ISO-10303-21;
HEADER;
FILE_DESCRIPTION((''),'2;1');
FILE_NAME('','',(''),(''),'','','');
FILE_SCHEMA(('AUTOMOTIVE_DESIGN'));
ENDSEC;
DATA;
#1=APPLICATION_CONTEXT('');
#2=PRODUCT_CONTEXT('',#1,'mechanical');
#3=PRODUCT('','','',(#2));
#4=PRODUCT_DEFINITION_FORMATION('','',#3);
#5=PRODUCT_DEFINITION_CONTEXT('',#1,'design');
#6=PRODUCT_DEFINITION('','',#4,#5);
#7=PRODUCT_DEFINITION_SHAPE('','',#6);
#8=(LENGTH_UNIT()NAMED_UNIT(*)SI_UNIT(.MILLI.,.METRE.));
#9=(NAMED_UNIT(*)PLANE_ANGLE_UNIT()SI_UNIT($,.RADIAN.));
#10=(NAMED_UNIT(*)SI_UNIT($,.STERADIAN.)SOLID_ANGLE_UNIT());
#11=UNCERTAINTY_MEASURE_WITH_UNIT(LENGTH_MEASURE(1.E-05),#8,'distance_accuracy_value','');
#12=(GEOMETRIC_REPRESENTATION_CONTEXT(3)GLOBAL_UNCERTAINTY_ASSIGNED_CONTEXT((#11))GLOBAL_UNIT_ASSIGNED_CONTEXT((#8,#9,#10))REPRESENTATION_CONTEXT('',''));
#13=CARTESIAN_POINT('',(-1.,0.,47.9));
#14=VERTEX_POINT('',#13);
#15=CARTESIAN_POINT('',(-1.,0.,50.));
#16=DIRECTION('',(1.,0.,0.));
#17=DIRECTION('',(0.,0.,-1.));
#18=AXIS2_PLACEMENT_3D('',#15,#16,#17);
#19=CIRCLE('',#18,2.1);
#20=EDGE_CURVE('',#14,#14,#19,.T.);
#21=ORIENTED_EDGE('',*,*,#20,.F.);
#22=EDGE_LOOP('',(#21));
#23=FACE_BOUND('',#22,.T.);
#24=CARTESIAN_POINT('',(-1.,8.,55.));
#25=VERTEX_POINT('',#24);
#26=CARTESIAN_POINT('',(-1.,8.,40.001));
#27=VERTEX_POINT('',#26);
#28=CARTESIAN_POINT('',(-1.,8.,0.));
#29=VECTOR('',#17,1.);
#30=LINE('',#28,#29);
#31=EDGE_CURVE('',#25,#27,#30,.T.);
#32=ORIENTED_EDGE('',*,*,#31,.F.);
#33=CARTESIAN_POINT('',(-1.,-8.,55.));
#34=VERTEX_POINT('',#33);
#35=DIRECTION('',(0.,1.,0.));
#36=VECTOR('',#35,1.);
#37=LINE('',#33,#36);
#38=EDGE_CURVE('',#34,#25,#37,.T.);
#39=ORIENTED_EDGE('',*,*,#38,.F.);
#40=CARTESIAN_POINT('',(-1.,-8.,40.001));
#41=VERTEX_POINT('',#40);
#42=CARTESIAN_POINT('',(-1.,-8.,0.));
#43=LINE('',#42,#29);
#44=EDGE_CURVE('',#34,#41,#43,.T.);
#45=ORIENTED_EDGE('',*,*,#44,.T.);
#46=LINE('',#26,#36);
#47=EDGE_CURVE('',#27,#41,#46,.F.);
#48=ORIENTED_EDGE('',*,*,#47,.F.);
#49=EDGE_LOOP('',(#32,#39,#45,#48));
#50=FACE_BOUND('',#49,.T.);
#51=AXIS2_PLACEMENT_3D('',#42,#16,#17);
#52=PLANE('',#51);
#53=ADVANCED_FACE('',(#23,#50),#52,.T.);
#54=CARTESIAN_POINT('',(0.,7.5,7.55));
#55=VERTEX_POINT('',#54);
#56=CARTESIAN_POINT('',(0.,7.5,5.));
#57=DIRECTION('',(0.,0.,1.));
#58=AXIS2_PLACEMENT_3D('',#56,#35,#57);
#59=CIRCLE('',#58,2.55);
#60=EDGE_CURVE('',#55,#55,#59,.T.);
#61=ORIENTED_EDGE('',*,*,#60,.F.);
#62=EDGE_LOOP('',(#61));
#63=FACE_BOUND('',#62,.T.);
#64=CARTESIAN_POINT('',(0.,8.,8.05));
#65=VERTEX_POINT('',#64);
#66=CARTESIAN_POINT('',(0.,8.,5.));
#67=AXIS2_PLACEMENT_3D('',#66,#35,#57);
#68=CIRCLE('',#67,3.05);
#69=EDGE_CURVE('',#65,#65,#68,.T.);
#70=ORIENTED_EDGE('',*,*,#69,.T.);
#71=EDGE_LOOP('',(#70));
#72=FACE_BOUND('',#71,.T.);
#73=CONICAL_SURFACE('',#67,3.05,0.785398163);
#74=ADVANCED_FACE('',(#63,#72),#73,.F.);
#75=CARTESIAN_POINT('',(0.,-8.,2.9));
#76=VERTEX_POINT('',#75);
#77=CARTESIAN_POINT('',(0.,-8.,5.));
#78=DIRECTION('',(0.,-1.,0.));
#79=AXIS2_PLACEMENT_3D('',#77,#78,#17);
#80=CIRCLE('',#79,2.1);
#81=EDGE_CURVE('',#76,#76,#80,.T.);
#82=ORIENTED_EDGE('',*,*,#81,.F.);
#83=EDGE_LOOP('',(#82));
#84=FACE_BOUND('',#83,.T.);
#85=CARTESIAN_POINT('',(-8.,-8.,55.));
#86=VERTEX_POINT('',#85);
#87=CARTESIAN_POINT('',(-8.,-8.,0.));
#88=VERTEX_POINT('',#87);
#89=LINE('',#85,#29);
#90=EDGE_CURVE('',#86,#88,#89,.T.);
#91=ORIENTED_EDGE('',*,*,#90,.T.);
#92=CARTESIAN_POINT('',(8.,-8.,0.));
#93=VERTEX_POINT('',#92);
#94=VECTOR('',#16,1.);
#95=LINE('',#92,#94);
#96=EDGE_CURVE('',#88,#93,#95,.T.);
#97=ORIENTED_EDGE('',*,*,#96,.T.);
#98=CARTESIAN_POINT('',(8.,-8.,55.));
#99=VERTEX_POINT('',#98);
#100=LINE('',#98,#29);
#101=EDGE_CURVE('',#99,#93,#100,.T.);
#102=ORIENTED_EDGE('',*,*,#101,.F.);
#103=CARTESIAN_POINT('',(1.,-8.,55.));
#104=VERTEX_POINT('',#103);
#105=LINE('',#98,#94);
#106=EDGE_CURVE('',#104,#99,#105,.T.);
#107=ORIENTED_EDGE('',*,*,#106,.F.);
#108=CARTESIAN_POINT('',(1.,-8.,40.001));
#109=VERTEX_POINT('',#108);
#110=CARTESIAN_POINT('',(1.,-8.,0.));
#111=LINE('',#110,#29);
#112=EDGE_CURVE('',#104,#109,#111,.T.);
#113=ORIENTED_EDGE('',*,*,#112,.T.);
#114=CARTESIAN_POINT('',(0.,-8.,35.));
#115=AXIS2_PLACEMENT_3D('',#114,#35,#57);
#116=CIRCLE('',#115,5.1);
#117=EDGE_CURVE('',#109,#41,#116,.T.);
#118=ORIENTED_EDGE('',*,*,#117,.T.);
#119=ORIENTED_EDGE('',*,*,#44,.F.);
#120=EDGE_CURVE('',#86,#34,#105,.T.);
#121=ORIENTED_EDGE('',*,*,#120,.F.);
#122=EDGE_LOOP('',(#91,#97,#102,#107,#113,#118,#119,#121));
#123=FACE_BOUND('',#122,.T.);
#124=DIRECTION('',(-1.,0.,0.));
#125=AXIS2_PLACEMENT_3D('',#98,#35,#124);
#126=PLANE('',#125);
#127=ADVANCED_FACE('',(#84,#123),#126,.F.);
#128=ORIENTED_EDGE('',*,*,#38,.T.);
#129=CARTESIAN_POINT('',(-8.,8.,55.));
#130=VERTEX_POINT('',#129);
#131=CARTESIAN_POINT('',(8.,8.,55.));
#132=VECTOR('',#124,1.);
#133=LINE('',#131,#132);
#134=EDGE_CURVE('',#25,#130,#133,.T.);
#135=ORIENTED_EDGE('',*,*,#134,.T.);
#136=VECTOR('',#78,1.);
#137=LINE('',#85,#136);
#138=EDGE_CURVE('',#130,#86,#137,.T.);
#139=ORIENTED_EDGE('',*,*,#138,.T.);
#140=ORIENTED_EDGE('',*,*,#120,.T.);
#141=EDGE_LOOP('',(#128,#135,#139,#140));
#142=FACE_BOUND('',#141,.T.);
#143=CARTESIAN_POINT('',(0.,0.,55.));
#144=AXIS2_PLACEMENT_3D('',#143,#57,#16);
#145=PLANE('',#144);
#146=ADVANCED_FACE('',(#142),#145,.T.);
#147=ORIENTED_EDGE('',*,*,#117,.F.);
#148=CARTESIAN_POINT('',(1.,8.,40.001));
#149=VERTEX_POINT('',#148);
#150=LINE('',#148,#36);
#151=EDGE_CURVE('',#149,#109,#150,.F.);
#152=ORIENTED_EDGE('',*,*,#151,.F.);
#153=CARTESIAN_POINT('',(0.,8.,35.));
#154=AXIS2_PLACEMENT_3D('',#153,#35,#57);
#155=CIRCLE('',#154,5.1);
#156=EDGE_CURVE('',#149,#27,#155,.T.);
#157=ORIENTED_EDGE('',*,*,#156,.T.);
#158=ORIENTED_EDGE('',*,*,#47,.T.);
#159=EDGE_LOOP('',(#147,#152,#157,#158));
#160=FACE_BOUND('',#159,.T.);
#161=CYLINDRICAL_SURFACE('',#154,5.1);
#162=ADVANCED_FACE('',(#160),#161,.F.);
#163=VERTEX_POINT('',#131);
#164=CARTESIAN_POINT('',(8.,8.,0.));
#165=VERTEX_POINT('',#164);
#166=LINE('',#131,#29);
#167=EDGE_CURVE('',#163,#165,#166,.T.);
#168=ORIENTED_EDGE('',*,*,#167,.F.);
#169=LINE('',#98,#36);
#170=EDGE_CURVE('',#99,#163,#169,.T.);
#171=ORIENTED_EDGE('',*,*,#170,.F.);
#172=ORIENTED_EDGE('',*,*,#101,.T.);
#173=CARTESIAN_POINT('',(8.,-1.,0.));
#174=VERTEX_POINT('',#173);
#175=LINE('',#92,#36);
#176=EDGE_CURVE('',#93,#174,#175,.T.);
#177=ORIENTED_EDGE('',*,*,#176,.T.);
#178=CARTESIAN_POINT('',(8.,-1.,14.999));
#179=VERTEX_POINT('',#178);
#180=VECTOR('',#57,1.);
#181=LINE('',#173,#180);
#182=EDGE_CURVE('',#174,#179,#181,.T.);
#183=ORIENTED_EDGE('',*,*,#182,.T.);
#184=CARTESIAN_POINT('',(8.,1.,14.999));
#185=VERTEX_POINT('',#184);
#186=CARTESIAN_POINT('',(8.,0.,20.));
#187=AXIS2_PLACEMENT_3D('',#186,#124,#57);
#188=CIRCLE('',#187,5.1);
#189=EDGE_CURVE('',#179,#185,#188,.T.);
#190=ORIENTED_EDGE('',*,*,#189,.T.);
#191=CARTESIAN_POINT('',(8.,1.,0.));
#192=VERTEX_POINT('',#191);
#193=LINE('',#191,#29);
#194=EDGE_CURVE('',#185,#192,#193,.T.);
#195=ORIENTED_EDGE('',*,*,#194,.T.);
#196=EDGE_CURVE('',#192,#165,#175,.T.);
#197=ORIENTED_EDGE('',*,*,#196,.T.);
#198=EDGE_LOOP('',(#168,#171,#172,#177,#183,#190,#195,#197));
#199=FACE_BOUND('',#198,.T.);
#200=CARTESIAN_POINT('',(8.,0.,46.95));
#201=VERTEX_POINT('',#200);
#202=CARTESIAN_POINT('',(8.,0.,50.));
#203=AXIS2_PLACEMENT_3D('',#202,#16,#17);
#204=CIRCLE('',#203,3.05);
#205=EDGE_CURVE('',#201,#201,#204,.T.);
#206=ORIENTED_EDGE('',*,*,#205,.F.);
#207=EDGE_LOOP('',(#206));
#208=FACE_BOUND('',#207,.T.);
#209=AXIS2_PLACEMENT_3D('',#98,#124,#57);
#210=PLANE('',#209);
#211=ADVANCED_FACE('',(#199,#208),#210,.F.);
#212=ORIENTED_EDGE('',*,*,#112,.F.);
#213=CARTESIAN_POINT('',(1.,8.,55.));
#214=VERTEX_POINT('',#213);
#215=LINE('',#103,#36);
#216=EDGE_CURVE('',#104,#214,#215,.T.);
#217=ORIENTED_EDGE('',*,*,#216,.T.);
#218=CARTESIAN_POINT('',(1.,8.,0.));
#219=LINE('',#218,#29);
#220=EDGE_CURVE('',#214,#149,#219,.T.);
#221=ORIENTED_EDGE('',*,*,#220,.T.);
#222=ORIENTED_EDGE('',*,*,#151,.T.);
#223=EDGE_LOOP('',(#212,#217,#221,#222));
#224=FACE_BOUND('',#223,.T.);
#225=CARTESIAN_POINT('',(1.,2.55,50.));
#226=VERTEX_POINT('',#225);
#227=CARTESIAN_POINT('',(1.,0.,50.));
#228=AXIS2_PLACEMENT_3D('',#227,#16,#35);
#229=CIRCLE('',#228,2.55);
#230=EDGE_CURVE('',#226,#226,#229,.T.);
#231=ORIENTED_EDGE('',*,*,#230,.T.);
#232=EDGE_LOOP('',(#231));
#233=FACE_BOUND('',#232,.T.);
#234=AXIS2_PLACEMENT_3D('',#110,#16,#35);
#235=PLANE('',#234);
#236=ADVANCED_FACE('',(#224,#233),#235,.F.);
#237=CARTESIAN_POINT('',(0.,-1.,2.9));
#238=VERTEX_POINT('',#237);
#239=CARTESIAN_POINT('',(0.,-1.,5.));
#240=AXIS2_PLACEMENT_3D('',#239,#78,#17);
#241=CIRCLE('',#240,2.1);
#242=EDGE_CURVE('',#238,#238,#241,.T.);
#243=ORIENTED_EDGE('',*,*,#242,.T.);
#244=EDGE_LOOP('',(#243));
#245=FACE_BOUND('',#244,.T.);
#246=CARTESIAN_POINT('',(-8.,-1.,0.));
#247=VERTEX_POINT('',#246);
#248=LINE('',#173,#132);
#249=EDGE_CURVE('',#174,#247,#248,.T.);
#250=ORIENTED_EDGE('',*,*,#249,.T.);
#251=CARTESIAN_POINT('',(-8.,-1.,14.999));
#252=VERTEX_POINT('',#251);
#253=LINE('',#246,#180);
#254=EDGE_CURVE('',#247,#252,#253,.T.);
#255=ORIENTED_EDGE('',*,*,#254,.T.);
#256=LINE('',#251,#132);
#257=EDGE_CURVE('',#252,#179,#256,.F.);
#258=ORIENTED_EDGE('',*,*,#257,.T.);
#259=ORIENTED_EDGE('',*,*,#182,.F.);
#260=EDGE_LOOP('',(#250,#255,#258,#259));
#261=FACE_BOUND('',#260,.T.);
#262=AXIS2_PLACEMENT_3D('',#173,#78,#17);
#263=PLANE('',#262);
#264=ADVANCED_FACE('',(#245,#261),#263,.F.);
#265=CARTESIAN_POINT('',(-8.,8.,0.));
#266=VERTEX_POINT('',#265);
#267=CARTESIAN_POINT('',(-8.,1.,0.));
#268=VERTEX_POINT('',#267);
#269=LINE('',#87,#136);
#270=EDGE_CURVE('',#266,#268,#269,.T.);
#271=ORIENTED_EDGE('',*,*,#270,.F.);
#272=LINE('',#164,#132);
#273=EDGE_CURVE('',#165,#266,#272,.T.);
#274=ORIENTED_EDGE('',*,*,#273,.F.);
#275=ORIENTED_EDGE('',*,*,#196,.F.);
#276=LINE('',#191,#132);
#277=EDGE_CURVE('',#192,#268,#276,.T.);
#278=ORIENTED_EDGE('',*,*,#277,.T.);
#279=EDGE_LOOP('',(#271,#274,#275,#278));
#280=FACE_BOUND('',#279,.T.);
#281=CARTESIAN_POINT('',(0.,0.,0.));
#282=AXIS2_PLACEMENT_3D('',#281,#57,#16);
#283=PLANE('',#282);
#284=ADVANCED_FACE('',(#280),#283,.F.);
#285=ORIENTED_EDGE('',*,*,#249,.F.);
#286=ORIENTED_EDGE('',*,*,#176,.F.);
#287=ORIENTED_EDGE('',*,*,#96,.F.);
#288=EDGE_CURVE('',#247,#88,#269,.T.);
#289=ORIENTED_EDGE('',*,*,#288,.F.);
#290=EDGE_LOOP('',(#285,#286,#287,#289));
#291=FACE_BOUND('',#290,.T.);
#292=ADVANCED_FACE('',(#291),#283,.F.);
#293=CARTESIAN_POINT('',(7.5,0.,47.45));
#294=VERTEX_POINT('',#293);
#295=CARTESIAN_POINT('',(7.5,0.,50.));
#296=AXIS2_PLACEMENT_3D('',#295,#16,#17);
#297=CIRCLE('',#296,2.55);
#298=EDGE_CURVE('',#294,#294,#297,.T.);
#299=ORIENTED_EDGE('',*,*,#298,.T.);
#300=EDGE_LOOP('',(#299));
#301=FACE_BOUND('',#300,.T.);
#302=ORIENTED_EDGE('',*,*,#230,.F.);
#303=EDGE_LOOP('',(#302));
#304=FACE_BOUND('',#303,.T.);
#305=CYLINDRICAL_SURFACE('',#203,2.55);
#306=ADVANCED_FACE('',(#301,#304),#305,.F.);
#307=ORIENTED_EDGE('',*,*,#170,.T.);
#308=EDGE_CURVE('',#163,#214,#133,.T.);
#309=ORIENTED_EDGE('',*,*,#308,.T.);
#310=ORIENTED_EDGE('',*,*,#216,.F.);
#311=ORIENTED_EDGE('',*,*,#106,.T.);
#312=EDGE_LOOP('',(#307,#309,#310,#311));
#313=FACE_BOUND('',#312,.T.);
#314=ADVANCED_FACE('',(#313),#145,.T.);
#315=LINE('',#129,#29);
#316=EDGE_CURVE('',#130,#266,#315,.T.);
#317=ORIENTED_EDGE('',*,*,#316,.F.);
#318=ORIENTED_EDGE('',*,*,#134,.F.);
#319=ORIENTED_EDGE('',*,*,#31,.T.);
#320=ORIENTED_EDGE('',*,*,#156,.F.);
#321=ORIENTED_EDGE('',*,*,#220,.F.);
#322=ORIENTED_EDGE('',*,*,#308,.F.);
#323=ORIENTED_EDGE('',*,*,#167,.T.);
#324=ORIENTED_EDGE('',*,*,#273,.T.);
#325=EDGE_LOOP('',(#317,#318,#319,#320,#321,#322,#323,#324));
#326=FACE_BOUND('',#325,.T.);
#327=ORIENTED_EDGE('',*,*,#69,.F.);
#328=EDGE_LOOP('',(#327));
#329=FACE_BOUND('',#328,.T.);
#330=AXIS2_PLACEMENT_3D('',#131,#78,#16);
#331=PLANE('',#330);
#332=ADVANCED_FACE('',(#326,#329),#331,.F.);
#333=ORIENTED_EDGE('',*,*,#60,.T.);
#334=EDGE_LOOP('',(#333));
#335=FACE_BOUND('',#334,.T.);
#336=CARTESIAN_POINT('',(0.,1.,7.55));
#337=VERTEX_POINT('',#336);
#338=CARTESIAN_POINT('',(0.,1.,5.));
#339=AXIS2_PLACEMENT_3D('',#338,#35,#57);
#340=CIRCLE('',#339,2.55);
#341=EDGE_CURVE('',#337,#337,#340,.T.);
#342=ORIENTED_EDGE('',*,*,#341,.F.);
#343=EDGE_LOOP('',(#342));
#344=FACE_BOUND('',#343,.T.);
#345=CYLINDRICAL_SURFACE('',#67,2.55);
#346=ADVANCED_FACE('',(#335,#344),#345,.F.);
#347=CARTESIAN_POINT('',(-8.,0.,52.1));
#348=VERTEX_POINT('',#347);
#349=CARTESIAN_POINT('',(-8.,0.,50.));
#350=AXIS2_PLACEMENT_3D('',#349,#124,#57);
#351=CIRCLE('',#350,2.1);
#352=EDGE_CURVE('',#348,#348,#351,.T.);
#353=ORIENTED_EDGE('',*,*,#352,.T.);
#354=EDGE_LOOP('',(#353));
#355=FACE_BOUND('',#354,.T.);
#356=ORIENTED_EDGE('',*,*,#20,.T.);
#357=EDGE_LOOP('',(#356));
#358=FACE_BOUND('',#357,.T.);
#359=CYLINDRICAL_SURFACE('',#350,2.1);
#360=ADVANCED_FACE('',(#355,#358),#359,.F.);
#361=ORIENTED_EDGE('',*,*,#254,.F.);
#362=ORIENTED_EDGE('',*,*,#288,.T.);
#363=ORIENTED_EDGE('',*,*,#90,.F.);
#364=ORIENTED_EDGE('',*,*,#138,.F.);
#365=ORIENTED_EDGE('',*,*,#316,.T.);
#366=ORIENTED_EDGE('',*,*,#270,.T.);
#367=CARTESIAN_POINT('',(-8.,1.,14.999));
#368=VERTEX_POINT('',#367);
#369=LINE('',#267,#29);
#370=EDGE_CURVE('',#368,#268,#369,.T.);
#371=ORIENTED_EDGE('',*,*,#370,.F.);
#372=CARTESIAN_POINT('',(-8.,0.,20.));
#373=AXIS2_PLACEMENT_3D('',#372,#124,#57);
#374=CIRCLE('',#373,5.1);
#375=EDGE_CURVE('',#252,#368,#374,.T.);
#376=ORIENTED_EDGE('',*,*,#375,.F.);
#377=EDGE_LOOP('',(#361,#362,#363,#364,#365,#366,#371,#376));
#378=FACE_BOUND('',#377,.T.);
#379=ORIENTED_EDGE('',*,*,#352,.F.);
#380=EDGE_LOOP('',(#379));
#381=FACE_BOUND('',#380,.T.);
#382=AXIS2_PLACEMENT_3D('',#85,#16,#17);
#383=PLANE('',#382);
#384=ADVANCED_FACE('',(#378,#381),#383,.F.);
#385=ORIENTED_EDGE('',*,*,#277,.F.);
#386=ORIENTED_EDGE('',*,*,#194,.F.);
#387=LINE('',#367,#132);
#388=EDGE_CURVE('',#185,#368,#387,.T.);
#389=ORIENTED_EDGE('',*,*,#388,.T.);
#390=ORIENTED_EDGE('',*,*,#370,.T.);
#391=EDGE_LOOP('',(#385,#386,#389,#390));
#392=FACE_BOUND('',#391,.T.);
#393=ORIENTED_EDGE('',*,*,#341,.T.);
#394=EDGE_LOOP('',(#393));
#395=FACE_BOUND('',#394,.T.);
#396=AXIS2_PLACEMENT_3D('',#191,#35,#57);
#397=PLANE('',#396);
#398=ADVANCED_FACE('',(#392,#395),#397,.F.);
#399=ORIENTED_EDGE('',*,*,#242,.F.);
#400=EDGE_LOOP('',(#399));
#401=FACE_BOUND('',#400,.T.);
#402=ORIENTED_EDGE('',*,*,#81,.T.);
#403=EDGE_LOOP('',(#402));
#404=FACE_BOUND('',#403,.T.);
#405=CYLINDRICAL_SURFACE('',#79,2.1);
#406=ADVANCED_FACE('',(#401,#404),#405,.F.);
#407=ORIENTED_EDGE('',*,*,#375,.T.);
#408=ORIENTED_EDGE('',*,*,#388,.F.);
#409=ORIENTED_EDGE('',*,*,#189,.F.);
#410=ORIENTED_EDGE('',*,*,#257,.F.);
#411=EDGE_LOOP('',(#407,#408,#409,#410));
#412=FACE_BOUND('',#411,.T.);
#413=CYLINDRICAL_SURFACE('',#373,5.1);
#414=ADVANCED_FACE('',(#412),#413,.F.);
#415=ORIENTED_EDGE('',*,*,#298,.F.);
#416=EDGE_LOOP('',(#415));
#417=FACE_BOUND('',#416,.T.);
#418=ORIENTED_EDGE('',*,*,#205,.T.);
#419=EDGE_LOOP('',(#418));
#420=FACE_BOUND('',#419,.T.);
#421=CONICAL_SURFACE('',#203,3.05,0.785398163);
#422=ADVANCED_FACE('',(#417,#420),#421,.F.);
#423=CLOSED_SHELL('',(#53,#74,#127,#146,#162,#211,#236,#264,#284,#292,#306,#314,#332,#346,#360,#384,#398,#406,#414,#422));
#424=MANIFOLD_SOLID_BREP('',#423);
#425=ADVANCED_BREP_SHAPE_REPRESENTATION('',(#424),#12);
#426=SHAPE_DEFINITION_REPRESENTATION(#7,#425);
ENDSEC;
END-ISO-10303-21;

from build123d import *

# Parameters (mm, degrees)
SKETCH1_W                                 = 16
SKETCH1_H                                 = 16
BASE_DEPTH                                = 55
SKETCH2_W                                 = 2
SKETCH2_H                                 = 16
RODSLOT_DEPTH                             = 17
F_5_1_5_1_FREE_HOLE_FOR_SCREW_D           = 5.1
F_5_1_5_1_FREE_HOLE_FOR_SCREW_DEPTH       = 7.5
F_5_1_5_1_FREE_HOLE_FOR_SCREW_CSINK_D     = 6.1
F_5_1_5_1_FREE_HOLE_FOR_SCREW_CSINK_ANGLE = 90
F_5_1_5_1_FREE_HOLE_FOR_SCREW_TIP         = 1.056244584
M5X0_8_TAPPED_HOLE_FOR_ROD_SCREW_D        = 4.2
M5X0_8_TAPPED_HOLE_FOR_ROD_SCREW_DEPTH    = 7.6381927
M5X0_8_TAPPED_HOLE_FOR_ROD_SCREW_TIP      = 1.2618073
F_10_2_10_2_ROD_HOLE_D                    = 10.2
SKETCH13_W                                = 20
SKETCH13_H                                = 2
ROD2SLOT_DEPTH                            = 17
F_10_2_10_2_ROD2_HOLE_D                   = 10.2
F_5_1_5_1_DIAMETER_HOLE1_D                = 5.1
F_5_1_5_1_DIAMETER_HOLE1_DEPTH            = 7.5
F_5_1_5_1_DIAMETER_HOLE1_CSINK_D          = 6.1
F_5_1_5_1_DIAMETER_HOLE1_CSINK_ANGLE      = 90
F_5_1_5_1_DIAMETER_HOLE1_TIP              = 1.056244584
M5X0_8_TAPPED_HOLE1_D                     = 4.2
M5X0_8_TAPPED_HOLE1_DEPTH                 = 7.6381927
M5X0_8_TAPPED_HOLE1_TIP                   = 1.2618073


with BuildPart() as part:
    # Sketch1 → Base (new body)
    with BuildSketch(Plane.XY):
        Rectangle(SKETCH1_W, SKETCH1_H)
    extrude(amount=BASE_DEPTH)

    # Sketch2 → RodSlot (cut, through all)
    with BuildSketch(Plane(origin=(0, 8, 0), x_dir=(1, 0, 0), z_dir=(0, 1, 0))):
        with Locations((0, -47)):
            Rectangle(SKETCH2_W, SKETCH2_H)
    extrude(amount=-RODSLOT_DEPTH, mode=Mode.SUBTRACT)

    # Ø5.1 (5.1) free hole for screw
    with Locations(Plane(origin=(8, 0, 0), x_dir=(0, 0, -1), z_dir=(1, 0, 0))):
        with Locations((-50, 0)):
            CounterSinkHole(F_5_1_5_1_FREE_HOLE_FOR_SCREW_D / 2, F_5_1_5_1_FREE_HOLE_FOR_SCREW_CSINK_D / 2, depth=F_5_1_5_1_FREE_HOLE_FOR_SCREW_DEPTH, counter_sink_angle=F_5_1_5_1_FREE_HOLE_FOR_SCREW_CSINK_ANGLE)
            with Locations((0, 0, -(F_5_1_5_1_FREE_HOLE_FOR_SCREW_DEPTH + F_5_1_5_1_FREE_HOLE_FOR_SCREW_TIP / 2))):  # 135° drill point
                Cone(0, F_5_1_5_1_FREE_HOLE_FOR_SCREW_D / 2, F_5_1_5_1_FREE_HOLE_FOR_SCREW_TIP, mode=Mode.SUBTRACT)

    # M5x0.8 Tapped Hole for rod screw
    with Locations(Plane.ZY.offset(8)):
        with Locations((50, 0)):
            Hole(M5X0_8_TAPPED_HOLE_FOR_ROD_SCREW_D / 2, depth=M5X0_8_TAPPED_HOLE_FOR_ROD_SCREW_DEPTH)
            with Locations((0, 0, -(M5X0_8_TAPPED_HOLE_FOR_ROD_SCREW_DEPTH + M5X0_8_TAPPED_HOLE_FOR_ROD_SCREW_TIP / 2))):  # 118° drill point
                Cone(0, M5X0_8_TAPPED_HOLE_FOR_ROD_SCREW_D / 2, M5X0_8_TAPPED_HOLE_FOR_ROD_SCREW_TIP, mode=Mode.SUBTRACT)

    # Ø10.2 (10.2) Rod Hole (through all)
    with Locations(Plane(origin=(0, 8, 0), x_dir=(1, 0, 0), z_dir=(0, 1, 0))):
        with Locations((0, -35)):
            Hole(F_10_2_10_2_ROD_HOLE_D / 2)

    # Sketch13 → Rod2Slot (cut, through all)
    with BuildSketch(Plane.ZY.offset(8)):
        with Locations((10, 0)):
            Rectangle(SKETCH13_W, SKETCH13_H)
    extrude(amount=-ROD2SLOT_DEPTH, mode=Mode.SUBTRACT)

    # Ø10.2 (10.2) Rod2 Hole (through all)
    with Locations(Plane(origin=(-8, 0, 0), x_dir=(0, 1, 0), z_dir=(-1, 0, 0))):
        with Locations((0, -20)):
            Hole(F_10_2_10_2_ROD2_HOLE_D / 2)

    # Ø5.1 (5.1) Diameter Hole1
    with Locations(Plane(origin=(0, 8, 0), x_dir=(0, 0, -1), z_dir=(0, 1, 0))):
        with Locations((-5, 0)):
            CounterSinkHole(F_5_1_5_1_DIAMETER_HOLE1_D / 2, F_5_1_5_1_DIAMETER_HOLE1_CSINK_D / 2, depth=F_5_1_5_1_DIAMETER_HOLE1_DEPTH, counter_sink_angle=F_5_1_5_1_DIAMETER_HOLE1_CSINK_ANGLE)
            with Locations((0, 0, -(F_5_1_5_1_DIAMETER_HOLE1_DEPTH + F_5_1_5_1_DIAMETER_HOLE1_TIP / 2))):  # 135° drill point
                Cone(0, F_5_1_5_1_DIAMETER_HOLE1_D / 2, F_5_1_5_1_DIAMETER_HOLE1_TIP, mode=Mode.SUBTRACT)

    # M5x0.8 Tapped Hole1
    with Locations(Plane(origin=(0, -8, 0), x_dir=(-1, 0, 0), z_dir=(0, -1, 0))):
        with Locations((0, -5)):
            Hole(M5X0_8_TAPPED_HOLE1_D / 2, depth=M5X0_8_TAPPED_HOLE1_DEPTH)
            with Locations((0, 0, -(M5X0_8_TAPPED_HOLE1_DEPTH + M5X0_8_TAPPED_HOLE1_TIP / 2))):  # 118° drill point
                Cone(0, M5X0_8_TAPPED_HOLE1_D / 2, M5X0_8_TAPPED_HOLE1_TIP, mode=Mode.SUBTRACT)


solid = part.part
